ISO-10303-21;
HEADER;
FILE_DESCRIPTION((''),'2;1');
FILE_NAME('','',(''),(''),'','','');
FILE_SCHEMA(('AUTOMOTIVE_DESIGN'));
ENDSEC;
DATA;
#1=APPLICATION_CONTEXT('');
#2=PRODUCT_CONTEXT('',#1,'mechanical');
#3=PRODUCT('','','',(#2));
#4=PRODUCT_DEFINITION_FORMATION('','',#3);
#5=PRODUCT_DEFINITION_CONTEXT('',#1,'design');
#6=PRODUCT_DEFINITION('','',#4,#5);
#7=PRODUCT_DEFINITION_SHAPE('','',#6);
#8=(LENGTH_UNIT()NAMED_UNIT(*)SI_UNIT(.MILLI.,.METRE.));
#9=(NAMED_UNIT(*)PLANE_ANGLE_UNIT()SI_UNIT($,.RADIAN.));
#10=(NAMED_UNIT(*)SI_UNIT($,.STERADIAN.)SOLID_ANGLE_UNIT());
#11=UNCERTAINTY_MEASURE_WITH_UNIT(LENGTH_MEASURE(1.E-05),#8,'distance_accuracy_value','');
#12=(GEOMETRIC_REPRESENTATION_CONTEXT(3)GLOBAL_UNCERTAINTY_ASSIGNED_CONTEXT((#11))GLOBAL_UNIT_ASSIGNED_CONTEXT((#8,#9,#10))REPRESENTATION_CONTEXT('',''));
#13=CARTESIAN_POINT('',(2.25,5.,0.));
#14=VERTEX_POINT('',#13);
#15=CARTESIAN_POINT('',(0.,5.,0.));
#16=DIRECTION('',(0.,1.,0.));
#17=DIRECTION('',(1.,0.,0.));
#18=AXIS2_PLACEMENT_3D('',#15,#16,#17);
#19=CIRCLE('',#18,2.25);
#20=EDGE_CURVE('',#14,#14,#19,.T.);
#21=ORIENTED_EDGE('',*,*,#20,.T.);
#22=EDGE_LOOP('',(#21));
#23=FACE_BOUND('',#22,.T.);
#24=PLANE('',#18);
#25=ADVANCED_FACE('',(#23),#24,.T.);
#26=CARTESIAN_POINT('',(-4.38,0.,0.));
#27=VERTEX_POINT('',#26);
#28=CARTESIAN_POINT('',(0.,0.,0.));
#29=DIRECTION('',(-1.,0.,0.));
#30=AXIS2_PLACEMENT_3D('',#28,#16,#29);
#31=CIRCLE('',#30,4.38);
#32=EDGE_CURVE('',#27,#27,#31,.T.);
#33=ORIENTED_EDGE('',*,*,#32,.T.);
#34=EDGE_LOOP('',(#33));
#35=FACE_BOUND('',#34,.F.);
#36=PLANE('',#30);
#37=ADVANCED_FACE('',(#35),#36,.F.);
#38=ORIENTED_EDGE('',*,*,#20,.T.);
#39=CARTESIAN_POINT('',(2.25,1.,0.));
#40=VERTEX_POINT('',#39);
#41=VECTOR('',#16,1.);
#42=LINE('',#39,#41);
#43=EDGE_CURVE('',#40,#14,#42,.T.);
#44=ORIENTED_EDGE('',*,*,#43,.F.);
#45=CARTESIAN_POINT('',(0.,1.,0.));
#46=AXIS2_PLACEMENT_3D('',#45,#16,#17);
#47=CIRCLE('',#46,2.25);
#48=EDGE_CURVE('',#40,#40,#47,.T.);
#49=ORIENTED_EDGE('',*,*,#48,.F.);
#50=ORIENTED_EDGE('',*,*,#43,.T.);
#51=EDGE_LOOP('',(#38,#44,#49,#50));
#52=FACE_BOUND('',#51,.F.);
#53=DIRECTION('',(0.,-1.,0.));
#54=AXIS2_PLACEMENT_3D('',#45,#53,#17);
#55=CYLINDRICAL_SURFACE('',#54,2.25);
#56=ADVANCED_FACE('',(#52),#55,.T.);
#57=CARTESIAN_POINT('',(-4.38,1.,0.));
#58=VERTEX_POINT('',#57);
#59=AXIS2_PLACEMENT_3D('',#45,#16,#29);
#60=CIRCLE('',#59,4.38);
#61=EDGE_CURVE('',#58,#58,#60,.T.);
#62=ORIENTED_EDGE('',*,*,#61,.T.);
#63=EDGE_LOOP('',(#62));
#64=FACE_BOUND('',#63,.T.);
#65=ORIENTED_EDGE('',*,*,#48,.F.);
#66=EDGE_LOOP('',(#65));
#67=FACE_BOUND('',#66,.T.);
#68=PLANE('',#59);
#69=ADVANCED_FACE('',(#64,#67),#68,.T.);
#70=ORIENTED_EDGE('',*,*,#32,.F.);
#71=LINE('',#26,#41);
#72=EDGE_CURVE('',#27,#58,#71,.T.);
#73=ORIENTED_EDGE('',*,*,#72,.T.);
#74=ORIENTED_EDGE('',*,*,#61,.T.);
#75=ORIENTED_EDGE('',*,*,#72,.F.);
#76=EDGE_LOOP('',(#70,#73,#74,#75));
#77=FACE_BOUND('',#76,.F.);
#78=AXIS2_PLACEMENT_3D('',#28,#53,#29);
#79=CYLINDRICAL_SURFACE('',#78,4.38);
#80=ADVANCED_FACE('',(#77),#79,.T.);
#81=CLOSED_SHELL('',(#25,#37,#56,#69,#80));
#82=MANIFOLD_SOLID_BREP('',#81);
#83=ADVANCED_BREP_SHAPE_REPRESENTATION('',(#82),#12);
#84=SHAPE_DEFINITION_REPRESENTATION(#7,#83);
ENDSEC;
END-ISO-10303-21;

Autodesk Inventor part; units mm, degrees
ref_plane "YZ Plane" through (0, 0, 0) normal (1, 0, 0) x (0, 1, 0)
ref_plane "XZ Plane" through (0, 0, 0) normal (0, 1, 0) x (-1, 0, 0)
ref_plane "XY Plane" through (0, 0, 0) normal (0, 0, 1) x (1, 0, 0)
sketch "Sketch1" plane through (0, 0, 0) normal (0, 1, 0) x (-1, 0, 0)
  circle A0 centre (0, 0) radius 4.38
  dimension "d0" = 8.76
extrude "Extrusion1" add sketch "Sketch1" along normal blind 1
sketch "Sketch2" plane through (0, 1, 0) normal (0, 1, 0) x (1, 0, 0)
  circle A0 centre (0, 0) radius 2.25
  dimension "d3" = 4.5
extrude "Extrusion2" add sketch "Sketch2" along normal blind 4
properties part number "rubber_cap"
